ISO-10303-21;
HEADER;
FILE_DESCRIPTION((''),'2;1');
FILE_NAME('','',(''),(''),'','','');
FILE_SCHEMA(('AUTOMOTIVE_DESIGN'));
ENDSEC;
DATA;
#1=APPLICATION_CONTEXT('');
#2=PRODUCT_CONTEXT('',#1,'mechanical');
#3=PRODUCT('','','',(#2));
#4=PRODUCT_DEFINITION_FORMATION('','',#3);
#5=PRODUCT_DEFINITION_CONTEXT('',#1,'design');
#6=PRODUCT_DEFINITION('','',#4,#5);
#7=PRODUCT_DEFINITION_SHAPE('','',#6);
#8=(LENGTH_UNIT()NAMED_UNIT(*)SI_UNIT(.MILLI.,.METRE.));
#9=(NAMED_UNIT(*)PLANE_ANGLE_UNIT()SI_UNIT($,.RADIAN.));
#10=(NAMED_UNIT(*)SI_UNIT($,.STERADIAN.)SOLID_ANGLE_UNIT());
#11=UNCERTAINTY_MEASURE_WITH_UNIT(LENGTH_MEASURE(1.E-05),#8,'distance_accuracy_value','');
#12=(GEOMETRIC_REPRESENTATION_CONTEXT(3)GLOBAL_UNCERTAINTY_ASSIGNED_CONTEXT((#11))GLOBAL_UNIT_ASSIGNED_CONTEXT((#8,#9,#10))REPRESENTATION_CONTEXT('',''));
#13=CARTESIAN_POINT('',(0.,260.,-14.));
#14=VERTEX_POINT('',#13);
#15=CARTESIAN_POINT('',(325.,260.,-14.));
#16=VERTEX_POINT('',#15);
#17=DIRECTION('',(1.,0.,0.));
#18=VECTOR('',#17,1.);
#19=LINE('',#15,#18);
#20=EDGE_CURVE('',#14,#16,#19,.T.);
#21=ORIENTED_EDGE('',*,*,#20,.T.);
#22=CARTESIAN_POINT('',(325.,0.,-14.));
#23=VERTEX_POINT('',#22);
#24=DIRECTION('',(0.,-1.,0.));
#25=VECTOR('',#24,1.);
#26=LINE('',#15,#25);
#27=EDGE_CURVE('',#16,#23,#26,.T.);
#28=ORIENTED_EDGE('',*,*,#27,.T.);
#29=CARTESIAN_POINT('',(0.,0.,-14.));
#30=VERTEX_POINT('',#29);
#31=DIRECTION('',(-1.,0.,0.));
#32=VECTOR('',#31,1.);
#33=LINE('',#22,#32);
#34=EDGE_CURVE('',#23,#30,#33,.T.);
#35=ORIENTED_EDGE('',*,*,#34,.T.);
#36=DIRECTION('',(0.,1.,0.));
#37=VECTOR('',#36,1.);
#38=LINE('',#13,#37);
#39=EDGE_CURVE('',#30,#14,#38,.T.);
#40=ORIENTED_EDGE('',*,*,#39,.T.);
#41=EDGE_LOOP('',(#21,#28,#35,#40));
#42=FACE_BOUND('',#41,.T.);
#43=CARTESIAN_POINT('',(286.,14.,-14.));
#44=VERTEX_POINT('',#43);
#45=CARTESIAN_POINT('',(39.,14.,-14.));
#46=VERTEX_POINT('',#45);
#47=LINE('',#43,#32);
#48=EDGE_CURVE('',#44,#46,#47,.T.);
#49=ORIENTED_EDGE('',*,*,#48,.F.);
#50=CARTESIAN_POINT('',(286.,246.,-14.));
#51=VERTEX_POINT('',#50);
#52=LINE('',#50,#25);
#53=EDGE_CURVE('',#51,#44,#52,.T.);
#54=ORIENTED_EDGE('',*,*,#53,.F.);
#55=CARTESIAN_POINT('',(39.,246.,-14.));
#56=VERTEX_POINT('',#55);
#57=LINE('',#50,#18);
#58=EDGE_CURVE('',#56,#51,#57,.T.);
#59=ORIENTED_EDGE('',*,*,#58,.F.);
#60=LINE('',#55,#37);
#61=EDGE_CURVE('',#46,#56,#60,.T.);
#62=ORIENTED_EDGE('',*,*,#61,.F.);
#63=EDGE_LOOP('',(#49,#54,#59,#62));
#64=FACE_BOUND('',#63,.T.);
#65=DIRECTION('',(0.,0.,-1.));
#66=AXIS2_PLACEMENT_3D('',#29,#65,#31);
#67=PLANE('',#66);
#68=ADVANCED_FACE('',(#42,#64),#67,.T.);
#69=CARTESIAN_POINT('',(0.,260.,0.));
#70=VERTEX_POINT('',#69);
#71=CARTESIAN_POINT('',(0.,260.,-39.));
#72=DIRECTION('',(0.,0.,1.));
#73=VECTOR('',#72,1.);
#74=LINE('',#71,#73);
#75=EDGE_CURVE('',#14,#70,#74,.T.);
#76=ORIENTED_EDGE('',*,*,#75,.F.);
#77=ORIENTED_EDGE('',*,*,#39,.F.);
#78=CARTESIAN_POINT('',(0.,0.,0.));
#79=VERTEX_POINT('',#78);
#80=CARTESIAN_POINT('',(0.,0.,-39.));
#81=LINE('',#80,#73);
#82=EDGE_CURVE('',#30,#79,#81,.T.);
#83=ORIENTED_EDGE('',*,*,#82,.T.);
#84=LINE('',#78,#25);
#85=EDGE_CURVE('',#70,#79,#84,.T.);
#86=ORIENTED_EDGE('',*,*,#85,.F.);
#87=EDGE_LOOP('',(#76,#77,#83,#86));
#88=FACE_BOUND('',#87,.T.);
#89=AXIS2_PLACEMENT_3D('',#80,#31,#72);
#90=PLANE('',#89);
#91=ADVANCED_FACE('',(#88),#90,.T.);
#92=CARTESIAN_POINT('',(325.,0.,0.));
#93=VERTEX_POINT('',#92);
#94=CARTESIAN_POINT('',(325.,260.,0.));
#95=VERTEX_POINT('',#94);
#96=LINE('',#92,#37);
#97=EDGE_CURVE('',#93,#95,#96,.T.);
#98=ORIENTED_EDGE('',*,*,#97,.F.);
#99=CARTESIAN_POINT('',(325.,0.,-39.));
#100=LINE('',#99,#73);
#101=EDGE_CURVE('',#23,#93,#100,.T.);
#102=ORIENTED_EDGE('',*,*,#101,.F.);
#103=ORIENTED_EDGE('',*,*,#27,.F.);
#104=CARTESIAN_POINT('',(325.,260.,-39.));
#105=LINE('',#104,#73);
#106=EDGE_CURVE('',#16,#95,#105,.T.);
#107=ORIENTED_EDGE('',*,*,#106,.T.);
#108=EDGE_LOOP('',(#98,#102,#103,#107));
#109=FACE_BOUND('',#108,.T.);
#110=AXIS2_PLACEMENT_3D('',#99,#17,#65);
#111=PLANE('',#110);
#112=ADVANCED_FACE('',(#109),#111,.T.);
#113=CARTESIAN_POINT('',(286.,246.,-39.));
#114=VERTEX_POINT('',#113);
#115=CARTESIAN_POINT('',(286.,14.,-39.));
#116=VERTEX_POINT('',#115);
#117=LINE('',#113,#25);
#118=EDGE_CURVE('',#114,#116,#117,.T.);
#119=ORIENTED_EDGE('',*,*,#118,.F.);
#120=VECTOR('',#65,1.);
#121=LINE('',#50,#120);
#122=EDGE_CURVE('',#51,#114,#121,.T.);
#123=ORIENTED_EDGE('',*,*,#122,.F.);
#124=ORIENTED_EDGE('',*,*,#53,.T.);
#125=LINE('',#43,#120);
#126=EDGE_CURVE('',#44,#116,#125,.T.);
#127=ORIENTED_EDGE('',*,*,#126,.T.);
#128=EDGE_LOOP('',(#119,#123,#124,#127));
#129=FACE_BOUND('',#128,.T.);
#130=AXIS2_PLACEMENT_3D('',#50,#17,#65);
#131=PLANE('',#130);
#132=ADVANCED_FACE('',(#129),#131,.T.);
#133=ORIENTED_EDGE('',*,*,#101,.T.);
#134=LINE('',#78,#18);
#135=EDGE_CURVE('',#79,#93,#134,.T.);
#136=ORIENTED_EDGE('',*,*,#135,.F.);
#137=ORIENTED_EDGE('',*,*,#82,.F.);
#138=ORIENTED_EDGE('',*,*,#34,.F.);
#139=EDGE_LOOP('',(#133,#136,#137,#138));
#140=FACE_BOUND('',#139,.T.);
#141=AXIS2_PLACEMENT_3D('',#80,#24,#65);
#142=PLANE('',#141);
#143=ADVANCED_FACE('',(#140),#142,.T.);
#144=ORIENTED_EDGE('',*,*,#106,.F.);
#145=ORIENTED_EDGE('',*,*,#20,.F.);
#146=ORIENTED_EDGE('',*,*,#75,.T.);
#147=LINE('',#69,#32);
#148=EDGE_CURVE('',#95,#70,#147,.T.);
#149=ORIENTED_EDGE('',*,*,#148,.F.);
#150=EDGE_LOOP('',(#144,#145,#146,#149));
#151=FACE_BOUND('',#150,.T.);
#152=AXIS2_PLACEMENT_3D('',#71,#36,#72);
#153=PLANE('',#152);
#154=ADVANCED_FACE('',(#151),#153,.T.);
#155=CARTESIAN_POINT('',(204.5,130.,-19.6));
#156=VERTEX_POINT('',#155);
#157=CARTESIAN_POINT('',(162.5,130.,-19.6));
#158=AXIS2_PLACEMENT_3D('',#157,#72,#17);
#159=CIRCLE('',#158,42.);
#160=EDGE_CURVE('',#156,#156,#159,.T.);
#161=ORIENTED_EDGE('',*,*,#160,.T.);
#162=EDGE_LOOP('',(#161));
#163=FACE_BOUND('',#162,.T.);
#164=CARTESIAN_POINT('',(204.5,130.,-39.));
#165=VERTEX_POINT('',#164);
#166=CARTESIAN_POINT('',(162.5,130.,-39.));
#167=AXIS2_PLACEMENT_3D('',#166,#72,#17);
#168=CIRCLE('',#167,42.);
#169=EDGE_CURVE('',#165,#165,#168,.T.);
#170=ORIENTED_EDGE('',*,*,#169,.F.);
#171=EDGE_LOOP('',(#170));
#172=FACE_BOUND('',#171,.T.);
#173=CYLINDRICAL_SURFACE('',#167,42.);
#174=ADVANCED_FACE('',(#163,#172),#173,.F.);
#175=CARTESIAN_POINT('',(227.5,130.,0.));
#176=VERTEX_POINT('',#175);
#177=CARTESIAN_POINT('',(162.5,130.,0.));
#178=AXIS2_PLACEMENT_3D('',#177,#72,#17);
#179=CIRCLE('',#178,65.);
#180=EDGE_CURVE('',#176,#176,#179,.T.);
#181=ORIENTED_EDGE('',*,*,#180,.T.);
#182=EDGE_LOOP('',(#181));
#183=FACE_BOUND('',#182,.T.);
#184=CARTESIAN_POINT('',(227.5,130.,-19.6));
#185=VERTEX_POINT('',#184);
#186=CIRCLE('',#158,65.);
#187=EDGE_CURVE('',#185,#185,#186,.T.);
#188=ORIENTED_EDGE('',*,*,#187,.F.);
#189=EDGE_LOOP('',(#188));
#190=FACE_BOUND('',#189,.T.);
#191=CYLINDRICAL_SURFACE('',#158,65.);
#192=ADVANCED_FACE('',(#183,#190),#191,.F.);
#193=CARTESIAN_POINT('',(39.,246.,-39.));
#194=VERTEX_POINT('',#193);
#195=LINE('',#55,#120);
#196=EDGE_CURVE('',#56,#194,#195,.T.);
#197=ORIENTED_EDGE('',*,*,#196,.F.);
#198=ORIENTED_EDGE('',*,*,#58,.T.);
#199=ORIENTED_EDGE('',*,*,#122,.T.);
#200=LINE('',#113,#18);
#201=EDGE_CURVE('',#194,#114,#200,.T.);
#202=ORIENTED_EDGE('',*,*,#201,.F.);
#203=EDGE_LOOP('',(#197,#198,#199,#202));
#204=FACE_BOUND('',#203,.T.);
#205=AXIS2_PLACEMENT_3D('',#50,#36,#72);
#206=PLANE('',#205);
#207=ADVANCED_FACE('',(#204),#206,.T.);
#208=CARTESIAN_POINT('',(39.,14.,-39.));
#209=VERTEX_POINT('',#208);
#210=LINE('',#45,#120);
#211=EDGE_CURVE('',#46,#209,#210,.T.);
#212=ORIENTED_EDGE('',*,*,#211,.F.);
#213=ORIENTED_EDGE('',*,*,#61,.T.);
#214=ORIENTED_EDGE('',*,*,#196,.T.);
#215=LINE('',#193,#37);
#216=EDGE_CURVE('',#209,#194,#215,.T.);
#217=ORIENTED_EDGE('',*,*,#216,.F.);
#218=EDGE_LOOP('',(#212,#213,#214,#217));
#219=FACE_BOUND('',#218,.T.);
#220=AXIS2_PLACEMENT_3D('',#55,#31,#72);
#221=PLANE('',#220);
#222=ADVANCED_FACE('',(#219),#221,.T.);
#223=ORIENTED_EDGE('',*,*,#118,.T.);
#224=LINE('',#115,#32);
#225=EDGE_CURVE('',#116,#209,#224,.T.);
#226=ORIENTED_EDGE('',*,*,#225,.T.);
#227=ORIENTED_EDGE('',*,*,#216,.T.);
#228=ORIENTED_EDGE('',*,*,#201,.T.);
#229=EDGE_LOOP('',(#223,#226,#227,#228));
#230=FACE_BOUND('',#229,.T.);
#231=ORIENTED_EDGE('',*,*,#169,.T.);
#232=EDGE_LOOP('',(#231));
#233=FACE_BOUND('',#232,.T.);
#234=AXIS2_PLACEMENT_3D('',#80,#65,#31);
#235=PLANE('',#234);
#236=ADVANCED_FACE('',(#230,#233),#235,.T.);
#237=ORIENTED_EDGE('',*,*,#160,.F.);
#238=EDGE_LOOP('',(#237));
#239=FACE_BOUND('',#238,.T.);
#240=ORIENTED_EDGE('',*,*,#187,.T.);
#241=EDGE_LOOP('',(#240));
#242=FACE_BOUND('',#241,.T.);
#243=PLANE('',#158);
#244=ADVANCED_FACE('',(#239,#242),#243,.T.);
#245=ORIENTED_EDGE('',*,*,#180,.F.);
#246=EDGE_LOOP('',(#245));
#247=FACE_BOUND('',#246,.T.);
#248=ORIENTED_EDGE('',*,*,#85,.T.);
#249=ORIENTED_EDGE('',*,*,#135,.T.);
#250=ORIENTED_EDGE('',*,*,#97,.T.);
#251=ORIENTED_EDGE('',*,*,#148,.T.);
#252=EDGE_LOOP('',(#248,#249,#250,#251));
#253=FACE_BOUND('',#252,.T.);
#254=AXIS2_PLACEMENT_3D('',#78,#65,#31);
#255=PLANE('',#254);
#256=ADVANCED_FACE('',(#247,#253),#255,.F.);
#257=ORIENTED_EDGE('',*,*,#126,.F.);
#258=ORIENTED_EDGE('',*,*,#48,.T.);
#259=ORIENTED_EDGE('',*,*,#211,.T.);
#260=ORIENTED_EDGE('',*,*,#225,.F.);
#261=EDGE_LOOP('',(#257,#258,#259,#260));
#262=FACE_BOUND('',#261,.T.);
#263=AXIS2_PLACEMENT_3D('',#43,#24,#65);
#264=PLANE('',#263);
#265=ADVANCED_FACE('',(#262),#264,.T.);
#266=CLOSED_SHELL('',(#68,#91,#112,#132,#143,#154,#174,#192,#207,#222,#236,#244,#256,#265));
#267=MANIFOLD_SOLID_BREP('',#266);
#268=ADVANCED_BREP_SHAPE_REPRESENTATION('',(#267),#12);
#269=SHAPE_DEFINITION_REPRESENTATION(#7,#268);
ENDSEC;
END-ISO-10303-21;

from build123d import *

# Parameters (mm, degrees)
SKETCH1_W           = 325
SKETCH1_H           = 260
BOSS_EXTRUDE1_DEPTH = 39
SKETCH2_R           = 65
CUT_EXTRUDE1_DEPTH  = 19.6
SKETCH3_R           = 42
CUT_EXTRUDE2_DEPTH  = 419.026314961
SKETCH4_W           = 325
SKETCH4_H           = 260
SKETCH4_W_2         = 247
SKETCH4_H_2         = 232
CUT_EXTRUDE3_DEPTH  = 25


with BuildPart() as part:
    # Sketch1 → Boss-Extrude1 (new body)
    with BuildSketch(Plane.XY):
        with Locations((162.5, 130)):
            Rectangle(SKETCH1_W, SKETCH1_H)
    extrude(amount=-BOSS_EXTRUDE1_DEPTH)

    # Sketch2 → Cut-Extrude1 (cut)
    with BuildSketch(Plane.XY):
        with Locations((162.5, 130)):
            Circle(SKETCH2_R)
    extrude(amount=-CUT_EXTRUDE1_DEPTH, mode=Mode.SUBTRACT)

    # Sketch3 → Cut-Extrude2 (cut, through all)
    with BuildSketch(Plane.XY):
        with Locations((162.5, 130)):
            Circle(SKETCH3_R)
    extrude(amount=-CUT_EXTRUDE2_DEPTH, mode=Mode.SUBTRACT)

    # Sketch4 → Cut-Extrude3 (cut)
    with BuildSketch(Plane(origin=(0, 0, -39), x_dir=(-1, 0, 0), z_dir=(0, 0, -1))):
        with Locations((-162.5, 130)):
            Rectangle(SKETCH4_W, SKETCH4_H)
        with Locations((-162.5, 130)):
            Rectangle(SKETCH4_W_2, SKETCH4_H_2, mode=Mode.SUBTRACT)
    extrude(amount=-CUT_EXTRUDE3_DEPTH, mode=Mode.SUBTRACT)


solid = part.part
